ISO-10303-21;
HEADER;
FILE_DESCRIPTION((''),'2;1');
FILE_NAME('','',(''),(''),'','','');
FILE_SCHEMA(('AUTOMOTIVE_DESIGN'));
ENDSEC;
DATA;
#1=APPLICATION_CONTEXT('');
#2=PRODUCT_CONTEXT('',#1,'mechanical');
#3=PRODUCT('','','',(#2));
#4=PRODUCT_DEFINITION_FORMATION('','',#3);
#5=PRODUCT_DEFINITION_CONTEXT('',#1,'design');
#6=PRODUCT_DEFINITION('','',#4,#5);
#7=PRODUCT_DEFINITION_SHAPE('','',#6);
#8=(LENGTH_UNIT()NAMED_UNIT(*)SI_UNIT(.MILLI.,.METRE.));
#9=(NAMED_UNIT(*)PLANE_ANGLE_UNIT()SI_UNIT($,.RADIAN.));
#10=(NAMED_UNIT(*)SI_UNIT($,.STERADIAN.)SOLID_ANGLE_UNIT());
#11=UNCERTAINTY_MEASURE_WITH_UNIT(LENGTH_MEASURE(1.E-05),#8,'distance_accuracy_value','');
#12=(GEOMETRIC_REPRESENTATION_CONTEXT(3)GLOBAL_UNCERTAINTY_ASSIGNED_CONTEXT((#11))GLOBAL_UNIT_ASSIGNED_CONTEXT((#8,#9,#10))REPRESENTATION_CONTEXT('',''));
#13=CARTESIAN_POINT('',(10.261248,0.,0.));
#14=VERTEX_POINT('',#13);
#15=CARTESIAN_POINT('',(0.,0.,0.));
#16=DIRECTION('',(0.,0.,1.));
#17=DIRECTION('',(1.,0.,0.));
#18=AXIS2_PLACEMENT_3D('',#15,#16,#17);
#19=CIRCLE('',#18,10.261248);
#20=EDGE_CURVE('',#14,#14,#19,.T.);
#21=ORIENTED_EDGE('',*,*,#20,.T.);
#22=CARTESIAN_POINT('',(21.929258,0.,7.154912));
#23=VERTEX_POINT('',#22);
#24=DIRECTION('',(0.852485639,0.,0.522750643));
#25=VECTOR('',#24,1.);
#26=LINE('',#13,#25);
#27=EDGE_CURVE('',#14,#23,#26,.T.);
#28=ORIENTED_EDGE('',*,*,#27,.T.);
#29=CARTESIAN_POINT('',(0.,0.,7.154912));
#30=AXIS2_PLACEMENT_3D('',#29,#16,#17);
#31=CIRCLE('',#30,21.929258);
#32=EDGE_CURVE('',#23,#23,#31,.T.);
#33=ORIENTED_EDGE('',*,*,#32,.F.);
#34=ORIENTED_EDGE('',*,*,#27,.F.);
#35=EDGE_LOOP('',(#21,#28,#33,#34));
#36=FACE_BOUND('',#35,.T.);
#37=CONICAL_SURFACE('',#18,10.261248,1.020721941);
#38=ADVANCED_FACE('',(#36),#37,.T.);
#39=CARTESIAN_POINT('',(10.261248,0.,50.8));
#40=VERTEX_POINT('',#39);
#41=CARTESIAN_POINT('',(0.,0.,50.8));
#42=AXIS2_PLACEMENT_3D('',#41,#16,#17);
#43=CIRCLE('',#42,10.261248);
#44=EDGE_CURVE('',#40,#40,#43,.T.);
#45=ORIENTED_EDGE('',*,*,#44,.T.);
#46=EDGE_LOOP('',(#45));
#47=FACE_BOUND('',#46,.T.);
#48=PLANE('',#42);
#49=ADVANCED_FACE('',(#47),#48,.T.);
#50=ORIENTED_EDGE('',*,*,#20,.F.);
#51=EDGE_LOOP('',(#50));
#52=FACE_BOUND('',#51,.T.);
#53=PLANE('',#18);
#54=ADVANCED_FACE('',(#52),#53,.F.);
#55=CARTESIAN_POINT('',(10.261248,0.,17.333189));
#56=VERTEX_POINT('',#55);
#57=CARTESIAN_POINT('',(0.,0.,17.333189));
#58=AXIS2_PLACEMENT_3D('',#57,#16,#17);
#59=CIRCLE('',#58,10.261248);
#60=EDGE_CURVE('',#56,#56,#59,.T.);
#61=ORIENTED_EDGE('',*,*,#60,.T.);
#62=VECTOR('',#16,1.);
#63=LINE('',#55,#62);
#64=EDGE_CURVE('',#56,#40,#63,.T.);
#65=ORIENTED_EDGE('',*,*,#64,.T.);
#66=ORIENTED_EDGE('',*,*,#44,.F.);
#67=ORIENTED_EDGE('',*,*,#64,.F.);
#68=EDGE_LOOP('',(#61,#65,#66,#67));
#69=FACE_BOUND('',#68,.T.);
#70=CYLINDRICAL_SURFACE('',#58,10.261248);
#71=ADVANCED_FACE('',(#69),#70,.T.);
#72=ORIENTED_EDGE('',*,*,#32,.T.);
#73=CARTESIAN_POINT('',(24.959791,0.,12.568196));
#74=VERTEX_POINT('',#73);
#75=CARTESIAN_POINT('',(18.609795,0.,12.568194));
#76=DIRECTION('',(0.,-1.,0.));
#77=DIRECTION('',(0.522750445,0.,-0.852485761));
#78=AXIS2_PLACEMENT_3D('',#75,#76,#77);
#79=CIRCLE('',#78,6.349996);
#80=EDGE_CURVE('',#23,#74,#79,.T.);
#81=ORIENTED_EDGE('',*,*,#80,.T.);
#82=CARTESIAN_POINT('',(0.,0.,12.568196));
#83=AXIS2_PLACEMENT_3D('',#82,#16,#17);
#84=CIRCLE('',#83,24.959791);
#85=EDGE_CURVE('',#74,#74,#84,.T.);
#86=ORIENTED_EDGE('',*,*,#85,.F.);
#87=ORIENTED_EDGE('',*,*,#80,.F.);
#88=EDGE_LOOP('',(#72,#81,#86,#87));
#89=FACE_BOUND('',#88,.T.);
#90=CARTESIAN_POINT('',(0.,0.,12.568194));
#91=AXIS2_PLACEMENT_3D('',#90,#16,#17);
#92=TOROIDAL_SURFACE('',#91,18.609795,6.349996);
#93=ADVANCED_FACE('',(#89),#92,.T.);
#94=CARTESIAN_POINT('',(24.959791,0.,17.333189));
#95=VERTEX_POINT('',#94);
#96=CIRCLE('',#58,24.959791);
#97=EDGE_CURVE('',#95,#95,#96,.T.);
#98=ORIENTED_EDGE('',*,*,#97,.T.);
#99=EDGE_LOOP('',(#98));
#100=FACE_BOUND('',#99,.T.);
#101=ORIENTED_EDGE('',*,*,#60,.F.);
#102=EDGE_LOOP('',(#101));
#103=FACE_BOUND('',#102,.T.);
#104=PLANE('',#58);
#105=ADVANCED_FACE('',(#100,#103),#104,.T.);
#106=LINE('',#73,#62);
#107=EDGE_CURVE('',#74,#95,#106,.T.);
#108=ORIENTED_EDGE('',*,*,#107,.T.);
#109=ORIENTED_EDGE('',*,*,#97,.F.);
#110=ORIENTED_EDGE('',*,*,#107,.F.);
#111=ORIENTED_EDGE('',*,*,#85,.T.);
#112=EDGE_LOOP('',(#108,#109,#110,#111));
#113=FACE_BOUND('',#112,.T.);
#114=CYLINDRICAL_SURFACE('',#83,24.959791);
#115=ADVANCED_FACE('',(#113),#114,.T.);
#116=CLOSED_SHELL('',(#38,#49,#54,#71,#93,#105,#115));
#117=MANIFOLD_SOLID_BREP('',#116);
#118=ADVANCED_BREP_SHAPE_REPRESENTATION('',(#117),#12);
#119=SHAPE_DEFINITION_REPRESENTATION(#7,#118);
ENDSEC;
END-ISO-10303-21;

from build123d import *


with BuildPart() as f1:
    # F0 (on Front) → F1 (revolve)
    with BuildSketch(Plane.XZ):
        with BuildLine():
            Line((0, 50.8), (0, 0))
            Line((0, 0), (10.261248, 0))
            Line((10.261248, 0), (21.929258, 7.154912))
            ThreePointArc((21.929258, 7.154912), (24.1506, 9.46627), (24.959791, 12.568196))
            Line((24.959791, 12.568196), (24.959791, 17.333189))
            Line((24.959791, 17.333189), (10.261248, 17.333189))
            Line((10.261248, 17.333189), (10.261248, 50.8))
            Line((10.261248, 50.8), (0, 50.8))
        make_face()
    revolve(axis=Axis((0, 0, 25.4), (0, 0, 1)))


solid = f1.part
